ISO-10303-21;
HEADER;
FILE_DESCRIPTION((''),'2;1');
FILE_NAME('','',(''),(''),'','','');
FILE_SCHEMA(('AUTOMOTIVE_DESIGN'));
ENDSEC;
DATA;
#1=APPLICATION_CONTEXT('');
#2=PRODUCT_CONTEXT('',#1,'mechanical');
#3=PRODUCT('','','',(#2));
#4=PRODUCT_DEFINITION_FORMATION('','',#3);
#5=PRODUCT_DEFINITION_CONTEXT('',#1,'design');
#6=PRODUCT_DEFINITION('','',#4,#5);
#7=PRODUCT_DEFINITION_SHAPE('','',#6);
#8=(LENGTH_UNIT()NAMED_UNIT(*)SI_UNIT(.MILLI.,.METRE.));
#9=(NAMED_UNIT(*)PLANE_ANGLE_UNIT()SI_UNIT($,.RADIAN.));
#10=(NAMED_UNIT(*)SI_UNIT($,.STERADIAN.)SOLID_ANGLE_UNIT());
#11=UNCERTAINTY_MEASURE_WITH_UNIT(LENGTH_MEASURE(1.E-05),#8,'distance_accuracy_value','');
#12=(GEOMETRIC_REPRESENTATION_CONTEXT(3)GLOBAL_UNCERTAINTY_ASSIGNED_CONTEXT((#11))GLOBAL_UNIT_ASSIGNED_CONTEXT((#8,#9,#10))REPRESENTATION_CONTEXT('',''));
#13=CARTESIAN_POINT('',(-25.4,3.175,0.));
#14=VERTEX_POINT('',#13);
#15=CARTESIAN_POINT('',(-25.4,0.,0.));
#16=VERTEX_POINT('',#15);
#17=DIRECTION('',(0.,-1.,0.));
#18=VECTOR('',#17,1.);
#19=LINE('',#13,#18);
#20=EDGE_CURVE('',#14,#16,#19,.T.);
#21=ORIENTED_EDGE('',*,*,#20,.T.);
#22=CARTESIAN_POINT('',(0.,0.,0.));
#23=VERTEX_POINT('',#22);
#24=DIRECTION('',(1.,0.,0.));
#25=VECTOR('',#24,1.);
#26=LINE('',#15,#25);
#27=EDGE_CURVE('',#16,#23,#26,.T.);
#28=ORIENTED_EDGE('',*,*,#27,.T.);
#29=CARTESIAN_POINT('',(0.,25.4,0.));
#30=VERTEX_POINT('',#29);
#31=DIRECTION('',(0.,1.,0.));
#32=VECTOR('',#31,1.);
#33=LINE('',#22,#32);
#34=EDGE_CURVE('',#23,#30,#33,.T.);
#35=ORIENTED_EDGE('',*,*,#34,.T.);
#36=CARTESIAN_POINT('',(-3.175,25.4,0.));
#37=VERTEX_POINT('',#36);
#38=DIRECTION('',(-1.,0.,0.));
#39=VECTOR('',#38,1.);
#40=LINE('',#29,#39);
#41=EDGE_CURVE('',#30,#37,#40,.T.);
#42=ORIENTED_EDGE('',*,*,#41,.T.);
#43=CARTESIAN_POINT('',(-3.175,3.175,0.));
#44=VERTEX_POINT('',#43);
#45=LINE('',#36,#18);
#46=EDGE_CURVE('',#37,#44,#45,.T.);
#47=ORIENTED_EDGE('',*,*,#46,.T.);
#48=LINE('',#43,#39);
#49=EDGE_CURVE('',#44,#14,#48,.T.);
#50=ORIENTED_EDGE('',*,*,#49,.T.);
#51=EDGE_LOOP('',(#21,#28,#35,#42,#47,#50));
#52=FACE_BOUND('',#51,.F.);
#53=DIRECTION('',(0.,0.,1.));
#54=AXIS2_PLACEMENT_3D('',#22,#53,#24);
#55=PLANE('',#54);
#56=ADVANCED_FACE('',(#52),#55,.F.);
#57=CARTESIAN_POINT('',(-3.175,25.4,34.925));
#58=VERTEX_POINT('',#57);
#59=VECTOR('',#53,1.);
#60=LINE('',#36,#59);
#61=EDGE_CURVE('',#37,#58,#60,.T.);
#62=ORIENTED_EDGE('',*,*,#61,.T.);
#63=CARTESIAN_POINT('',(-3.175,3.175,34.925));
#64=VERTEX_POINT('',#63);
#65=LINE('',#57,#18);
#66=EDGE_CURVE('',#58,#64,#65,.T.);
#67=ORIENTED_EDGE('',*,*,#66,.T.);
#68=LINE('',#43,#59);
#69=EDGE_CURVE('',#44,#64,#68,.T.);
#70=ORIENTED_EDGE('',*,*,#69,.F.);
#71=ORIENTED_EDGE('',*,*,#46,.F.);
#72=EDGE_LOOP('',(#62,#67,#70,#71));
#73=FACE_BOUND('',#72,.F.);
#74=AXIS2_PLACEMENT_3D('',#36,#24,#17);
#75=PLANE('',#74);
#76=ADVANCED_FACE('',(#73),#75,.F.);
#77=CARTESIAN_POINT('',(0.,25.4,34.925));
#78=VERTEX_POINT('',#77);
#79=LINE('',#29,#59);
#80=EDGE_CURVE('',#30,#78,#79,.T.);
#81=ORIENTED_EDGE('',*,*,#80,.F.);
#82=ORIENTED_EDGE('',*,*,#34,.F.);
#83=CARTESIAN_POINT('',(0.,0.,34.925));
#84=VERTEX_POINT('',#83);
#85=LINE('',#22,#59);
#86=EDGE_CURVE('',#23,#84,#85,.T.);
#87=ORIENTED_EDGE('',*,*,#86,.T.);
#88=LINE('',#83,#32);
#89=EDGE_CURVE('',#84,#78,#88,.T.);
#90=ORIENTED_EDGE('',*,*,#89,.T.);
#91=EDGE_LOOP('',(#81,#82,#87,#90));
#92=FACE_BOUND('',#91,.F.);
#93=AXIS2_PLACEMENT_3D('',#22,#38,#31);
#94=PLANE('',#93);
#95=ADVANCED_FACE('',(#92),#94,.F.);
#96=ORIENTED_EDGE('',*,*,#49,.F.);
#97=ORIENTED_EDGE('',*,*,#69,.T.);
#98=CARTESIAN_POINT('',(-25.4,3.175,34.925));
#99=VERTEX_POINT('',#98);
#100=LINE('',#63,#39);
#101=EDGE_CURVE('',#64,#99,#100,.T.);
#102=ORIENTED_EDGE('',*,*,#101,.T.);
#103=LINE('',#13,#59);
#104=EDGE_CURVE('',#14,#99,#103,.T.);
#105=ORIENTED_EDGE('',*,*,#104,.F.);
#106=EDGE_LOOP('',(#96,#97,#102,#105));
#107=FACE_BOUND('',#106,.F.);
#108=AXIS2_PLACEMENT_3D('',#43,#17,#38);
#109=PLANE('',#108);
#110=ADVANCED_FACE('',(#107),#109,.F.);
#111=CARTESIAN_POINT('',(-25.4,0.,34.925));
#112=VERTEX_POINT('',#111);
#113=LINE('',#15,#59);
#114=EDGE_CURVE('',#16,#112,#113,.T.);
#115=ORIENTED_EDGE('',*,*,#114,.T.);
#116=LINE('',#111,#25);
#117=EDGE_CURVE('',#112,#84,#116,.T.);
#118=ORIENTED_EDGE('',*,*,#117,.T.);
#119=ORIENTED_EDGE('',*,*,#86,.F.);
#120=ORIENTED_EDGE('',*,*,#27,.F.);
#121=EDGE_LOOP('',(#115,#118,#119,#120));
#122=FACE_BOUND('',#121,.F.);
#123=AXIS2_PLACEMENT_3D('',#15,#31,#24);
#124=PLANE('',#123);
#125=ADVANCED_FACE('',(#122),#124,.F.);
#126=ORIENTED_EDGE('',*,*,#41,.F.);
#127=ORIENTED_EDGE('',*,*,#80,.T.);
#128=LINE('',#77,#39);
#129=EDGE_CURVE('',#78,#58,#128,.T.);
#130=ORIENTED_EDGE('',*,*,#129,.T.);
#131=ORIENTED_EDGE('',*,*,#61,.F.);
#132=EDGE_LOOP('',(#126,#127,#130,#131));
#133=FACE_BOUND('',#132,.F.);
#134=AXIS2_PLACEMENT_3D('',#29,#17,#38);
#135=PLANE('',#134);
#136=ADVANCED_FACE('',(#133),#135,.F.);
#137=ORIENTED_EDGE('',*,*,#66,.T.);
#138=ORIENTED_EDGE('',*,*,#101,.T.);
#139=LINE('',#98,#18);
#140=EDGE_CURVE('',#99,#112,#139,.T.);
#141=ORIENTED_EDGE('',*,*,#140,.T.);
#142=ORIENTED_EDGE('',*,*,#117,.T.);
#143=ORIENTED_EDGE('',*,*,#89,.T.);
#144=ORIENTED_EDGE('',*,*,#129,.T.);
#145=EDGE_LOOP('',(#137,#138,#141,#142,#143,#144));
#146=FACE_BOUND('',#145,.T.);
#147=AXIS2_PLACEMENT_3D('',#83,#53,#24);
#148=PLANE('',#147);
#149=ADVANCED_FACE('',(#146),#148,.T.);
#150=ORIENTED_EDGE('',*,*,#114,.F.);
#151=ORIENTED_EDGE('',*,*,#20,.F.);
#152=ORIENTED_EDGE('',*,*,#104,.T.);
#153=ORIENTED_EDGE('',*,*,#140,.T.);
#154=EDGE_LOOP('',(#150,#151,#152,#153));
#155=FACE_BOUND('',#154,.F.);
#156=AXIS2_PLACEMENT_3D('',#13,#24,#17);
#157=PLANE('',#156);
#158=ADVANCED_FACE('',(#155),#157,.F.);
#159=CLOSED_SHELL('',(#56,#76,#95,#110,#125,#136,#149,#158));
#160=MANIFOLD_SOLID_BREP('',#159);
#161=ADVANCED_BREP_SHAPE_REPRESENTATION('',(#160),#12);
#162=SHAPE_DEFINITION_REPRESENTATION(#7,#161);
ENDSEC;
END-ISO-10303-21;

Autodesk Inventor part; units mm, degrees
ref_plane "YZ Plane" through (0, 0, 0) normal (1, 0, 0) x (0, 1, 0)
ref_plane "XZ Plane" through (0, 0, 0) normal (0, 1, 0) x (-1, 0, 0)
ref_plane "XY Plane" through (0, 0, 0) normal (0, 0, 1) x (1, 0, 0)
sketch "Sketch1" plane through (0, 0, 0) normal (0, 0, 1) x (1, 0, 0)
  line L0 (-25.4, 0) -> (0, 0)
  line L1 (0, 0) -> (0, 25.4)
  line L2 (0, 25.4) -> (-3.175, 25.4)
  line L3 (-3.175, 25.4) -> (-3.175, 3.175)
  line L4 (-3.175, 3.175) -> (-25.4, 3.175)
  line L5 (-25.4, 3.175) -> (-25.4, 0)
  dimension "d0" = 3.175
  dimension "d1" = 3.175
  dimension "d2" = 25.4
  dimension "d3" = 25.4
extrude "Extrusion1" add sketch "Sketch1" along normal blind 34.925
properties part number "L frame short"
